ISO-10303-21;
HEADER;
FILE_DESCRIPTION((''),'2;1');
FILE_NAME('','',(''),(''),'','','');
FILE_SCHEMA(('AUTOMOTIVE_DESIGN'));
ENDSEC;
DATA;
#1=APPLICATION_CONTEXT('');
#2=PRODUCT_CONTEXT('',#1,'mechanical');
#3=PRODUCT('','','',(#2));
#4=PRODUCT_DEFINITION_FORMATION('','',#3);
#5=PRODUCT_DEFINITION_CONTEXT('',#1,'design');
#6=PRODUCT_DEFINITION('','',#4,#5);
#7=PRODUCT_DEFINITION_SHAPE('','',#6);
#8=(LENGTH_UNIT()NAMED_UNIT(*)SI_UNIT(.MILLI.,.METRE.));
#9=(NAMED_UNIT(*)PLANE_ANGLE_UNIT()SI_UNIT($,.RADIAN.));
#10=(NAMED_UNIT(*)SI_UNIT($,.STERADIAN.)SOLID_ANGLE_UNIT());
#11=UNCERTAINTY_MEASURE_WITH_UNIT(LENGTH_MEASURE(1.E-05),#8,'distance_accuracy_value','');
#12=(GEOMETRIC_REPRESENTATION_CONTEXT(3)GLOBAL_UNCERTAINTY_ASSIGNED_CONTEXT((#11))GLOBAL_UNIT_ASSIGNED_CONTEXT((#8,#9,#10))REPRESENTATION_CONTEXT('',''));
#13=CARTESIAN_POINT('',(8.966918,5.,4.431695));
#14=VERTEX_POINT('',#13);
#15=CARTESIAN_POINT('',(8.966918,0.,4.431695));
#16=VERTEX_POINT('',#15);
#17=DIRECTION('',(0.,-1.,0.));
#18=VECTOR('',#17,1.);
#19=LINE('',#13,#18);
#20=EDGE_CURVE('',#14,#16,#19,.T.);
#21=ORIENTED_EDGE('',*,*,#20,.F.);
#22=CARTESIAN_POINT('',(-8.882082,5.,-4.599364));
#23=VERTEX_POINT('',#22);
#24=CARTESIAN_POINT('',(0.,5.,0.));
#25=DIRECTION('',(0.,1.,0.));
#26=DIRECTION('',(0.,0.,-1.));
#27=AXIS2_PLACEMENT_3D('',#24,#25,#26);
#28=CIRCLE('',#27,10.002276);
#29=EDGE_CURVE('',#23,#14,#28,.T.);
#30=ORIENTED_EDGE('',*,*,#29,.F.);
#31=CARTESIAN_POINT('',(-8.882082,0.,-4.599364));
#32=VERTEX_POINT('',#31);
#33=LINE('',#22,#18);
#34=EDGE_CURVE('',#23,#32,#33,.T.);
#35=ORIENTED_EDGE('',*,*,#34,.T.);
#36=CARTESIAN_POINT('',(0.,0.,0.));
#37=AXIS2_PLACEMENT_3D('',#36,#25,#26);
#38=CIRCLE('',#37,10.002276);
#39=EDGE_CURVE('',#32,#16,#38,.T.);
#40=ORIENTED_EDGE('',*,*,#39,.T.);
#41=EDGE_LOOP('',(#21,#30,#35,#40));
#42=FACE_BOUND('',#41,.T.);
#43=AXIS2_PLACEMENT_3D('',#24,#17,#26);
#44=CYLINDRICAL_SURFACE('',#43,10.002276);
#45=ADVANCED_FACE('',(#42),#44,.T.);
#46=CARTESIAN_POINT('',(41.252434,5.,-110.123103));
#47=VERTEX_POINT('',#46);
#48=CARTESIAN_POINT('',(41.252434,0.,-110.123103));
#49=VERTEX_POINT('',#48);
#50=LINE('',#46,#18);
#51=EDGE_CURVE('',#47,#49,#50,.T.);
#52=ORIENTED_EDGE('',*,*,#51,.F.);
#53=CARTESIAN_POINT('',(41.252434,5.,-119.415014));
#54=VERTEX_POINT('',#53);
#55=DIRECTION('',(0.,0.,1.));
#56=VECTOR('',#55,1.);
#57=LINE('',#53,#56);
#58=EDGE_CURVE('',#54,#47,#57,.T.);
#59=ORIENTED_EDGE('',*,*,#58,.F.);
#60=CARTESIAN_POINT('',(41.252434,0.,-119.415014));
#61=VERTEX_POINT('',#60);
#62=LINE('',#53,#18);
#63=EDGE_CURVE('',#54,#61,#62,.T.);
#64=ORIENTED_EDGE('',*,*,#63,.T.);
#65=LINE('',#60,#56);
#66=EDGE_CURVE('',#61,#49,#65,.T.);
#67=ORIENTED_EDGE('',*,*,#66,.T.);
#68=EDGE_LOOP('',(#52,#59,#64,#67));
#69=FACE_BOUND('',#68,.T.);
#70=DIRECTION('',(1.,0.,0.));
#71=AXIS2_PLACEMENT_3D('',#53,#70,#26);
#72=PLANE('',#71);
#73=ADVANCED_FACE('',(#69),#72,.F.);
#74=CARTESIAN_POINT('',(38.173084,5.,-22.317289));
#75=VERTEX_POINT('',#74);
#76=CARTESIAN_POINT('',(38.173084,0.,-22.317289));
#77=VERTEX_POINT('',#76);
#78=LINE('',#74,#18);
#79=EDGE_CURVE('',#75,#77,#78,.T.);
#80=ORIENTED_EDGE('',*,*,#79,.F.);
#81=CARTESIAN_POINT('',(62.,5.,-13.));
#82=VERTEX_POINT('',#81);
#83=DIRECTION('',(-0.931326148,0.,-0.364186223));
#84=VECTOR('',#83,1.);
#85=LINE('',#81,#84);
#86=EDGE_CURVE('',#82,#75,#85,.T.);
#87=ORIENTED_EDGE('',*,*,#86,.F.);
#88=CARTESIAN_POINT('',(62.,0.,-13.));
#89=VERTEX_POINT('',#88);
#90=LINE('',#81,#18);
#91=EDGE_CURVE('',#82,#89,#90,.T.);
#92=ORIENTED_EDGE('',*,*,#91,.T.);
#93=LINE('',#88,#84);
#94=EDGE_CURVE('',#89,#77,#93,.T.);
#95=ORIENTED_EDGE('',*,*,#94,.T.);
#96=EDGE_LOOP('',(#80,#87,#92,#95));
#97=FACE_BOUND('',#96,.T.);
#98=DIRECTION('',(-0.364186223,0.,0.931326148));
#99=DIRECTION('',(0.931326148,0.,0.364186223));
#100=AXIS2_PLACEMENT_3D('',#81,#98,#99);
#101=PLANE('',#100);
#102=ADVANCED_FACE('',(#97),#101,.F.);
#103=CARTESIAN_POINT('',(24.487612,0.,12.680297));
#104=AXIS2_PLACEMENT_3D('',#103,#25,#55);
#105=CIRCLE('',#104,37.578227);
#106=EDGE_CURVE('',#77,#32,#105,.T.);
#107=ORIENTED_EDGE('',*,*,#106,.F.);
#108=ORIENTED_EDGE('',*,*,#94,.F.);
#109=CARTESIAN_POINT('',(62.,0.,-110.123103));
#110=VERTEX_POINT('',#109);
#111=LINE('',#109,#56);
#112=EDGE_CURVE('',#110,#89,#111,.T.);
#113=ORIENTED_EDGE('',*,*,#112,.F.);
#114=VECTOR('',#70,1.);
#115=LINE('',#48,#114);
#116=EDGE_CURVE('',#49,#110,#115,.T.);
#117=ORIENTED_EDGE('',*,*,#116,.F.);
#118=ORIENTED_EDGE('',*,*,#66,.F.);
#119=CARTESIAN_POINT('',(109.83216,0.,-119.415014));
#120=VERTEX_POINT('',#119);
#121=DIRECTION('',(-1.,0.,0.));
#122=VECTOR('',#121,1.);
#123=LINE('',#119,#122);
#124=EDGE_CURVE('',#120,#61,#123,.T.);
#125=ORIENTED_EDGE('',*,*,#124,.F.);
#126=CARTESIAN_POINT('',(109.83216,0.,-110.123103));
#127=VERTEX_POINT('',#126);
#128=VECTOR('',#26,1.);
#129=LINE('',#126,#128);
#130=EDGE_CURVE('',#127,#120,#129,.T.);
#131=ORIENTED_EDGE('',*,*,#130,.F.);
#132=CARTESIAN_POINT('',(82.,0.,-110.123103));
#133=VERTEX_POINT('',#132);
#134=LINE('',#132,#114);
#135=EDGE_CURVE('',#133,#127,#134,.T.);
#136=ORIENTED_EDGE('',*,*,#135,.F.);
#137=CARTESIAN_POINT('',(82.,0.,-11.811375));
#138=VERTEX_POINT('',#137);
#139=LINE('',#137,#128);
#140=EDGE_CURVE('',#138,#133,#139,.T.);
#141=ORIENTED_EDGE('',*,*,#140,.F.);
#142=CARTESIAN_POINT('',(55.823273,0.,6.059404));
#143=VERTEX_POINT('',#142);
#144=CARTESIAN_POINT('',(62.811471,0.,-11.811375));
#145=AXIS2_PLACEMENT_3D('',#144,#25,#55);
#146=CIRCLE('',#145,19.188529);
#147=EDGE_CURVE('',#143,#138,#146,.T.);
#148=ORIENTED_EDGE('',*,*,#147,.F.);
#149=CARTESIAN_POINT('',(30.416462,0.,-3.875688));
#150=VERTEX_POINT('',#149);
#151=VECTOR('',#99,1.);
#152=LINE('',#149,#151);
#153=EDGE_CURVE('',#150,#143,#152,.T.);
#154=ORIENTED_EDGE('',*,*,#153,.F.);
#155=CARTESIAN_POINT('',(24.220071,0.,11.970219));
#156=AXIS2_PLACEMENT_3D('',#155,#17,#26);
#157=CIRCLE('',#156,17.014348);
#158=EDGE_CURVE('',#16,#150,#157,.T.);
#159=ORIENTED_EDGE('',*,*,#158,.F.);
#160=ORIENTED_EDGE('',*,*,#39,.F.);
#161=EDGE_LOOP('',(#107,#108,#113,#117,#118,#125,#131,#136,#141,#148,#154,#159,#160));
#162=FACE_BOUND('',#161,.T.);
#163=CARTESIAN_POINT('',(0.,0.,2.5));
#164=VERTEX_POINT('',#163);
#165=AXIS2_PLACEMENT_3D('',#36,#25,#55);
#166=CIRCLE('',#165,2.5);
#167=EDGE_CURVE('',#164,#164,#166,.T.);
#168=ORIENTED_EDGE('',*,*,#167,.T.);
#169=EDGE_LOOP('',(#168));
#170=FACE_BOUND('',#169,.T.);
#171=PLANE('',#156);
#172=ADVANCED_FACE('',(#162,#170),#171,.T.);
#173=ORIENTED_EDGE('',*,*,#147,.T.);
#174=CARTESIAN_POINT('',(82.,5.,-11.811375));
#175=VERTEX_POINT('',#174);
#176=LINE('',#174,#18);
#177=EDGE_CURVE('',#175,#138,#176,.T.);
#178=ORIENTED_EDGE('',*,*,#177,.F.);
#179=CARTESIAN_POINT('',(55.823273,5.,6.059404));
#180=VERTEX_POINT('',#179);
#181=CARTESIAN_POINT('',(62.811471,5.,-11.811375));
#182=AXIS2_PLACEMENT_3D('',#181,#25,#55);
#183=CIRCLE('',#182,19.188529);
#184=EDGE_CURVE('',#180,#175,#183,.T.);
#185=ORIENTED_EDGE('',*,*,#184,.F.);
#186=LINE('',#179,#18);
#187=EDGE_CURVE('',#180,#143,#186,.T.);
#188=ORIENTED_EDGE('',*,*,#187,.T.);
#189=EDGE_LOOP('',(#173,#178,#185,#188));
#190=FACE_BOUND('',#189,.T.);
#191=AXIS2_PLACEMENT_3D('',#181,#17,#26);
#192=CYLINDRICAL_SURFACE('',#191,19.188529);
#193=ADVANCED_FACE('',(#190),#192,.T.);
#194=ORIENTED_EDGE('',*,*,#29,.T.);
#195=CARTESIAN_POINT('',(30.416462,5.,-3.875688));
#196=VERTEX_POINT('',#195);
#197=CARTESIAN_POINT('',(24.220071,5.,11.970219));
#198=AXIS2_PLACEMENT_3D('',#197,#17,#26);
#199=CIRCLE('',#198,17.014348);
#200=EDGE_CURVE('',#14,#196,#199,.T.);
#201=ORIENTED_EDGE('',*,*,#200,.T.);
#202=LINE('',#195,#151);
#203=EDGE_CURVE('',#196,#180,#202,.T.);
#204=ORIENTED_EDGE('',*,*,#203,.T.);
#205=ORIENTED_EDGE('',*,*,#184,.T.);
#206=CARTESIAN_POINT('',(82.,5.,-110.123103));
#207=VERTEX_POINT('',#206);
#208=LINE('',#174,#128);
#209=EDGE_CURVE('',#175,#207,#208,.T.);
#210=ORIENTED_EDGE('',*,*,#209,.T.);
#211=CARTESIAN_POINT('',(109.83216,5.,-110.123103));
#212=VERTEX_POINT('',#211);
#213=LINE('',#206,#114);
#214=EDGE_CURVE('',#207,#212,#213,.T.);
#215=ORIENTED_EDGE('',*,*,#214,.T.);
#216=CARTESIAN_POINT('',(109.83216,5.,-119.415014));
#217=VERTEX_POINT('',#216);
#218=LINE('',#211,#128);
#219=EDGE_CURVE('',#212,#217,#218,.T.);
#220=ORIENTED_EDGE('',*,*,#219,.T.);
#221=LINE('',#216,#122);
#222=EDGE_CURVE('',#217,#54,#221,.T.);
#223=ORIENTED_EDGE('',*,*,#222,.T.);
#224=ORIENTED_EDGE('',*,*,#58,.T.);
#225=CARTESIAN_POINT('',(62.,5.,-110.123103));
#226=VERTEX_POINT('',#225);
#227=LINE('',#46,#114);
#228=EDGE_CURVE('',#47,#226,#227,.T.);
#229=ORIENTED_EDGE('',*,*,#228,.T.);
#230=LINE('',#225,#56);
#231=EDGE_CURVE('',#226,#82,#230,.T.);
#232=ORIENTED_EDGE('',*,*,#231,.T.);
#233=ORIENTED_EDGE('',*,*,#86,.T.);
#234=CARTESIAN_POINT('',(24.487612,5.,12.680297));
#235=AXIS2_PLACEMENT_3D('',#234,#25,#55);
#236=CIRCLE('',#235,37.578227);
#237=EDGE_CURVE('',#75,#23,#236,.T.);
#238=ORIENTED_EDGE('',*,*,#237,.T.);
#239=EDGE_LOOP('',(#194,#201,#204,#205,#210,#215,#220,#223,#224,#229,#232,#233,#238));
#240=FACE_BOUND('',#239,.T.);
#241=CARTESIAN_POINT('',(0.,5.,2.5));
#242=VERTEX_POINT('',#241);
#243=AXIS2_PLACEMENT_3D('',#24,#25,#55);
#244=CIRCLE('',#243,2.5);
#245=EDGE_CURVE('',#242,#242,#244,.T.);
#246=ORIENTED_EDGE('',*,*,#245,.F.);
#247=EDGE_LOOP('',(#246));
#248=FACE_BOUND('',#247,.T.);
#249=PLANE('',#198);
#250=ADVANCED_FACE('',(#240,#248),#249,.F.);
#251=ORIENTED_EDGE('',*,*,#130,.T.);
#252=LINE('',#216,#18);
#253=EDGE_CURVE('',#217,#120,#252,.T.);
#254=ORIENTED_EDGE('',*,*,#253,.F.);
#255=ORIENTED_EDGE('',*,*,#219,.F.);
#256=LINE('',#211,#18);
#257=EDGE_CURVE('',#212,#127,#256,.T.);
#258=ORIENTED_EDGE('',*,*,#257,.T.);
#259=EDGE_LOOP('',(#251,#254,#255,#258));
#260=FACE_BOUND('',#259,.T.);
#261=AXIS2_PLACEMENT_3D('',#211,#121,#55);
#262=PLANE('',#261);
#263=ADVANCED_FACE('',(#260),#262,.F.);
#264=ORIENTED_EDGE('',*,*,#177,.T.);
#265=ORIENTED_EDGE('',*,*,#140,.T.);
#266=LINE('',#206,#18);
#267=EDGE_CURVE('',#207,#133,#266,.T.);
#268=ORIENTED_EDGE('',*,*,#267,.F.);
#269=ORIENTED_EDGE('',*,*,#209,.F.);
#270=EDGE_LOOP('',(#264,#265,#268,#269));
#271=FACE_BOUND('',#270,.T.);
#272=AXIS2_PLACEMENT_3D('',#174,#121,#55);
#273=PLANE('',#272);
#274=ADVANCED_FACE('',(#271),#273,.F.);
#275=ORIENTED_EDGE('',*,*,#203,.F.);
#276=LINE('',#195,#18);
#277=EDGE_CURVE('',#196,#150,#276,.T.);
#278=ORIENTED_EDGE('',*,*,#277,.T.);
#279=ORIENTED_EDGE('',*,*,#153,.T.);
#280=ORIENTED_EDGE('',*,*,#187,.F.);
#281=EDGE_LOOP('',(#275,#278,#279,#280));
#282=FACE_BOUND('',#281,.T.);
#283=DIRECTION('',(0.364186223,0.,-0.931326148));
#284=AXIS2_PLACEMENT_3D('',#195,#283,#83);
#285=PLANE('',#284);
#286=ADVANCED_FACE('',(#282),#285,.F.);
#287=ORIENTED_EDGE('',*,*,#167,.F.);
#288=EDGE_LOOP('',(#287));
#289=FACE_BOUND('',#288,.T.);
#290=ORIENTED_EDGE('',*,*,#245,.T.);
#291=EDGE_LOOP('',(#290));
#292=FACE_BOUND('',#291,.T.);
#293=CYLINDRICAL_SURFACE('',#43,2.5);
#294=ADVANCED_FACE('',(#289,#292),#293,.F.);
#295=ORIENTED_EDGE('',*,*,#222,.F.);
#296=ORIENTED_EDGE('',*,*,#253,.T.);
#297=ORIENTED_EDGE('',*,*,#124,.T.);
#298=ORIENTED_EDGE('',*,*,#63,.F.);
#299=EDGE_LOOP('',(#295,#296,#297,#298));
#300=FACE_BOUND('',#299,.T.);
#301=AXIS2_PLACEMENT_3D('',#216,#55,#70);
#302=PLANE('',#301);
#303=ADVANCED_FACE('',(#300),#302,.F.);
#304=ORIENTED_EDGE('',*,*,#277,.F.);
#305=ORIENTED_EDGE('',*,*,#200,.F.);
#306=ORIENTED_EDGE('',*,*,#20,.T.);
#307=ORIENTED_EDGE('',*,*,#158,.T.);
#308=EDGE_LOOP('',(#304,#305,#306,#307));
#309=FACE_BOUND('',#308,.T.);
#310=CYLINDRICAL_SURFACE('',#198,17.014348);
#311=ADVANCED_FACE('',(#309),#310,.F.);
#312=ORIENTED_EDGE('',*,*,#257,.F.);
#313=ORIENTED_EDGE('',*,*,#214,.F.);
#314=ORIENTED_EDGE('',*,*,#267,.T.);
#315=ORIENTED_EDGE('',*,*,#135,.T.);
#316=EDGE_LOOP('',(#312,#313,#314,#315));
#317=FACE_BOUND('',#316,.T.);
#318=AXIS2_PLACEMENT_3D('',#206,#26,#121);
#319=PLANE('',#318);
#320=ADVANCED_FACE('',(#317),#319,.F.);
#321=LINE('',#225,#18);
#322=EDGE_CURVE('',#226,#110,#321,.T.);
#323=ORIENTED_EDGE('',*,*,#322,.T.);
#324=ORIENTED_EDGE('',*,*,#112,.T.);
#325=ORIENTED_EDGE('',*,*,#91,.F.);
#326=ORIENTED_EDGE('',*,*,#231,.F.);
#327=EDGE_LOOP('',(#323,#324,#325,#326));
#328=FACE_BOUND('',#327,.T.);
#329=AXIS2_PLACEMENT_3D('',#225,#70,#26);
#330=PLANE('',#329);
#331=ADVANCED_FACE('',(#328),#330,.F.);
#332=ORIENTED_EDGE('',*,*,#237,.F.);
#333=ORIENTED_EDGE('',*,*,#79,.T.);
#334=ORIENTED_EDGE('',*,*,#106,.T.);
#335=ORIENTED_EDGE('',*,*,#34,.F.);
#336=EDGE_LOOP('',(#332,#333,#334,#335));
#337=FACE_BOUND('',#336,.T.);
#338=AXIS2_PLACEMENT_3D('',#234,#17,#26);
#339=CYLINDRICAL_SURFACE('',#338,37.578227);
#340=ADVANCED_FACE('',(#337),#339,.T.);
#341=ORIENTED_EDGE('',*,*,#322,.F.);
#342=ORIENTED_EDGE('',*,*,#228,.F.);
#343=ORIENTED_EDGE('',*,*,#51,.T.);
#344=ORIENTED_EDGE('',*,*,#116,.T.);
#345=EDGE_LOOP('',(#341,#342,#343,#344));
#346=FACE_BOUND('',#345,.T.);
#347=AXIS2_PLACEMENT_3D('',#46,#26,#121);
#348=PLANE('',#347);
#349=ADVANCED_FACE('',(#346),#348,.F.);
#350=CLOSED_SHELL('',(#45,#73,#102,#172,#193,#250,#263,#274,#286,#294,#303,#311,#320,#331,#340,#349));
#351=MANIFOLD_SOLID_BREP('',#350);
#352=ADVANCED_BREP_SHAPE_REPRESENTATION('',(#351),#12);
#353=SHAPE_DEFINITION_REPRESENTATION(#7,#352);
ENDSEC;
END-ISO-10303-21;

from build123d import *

# Parameters (mm, degrees)
ESQUISSE1_R        = 2.5
BOSS_EXTRU_1_DEPTH = 5


with BuildPart() as part:
    # Esquisse1 → Boss.-Extru.1 (new body)
    with BuildSketch(Plane(origin=(0, 0, 0), x_dir=(1, 0, 0), z_dir=(0, 1, 0))):
        with BuildLine():
            Line((30.416462038, 3.875687745), (55.823272708, -6.059403674))
            ThreePointArc((55.823272708, -6.059403674), (73.630583756, -4.03622534), (82, 11.811375395))
            Line((82, 11.811375395), (82, 110.123102525))
            Line((82, 110.123102525), (109.832159843, 110.123102525))
            Line((109.832159843, 110.123102525), (109.832159843, 119.415014129))
            Line((109.832159843, 119.415014129), (41.252434476, 119.415014129))
            Line((41.252434476, 119.415014129), (41.252434476, 110.123102525))
            Line((41.252434476, 110.123102525), (62, 110.123102525))
            Line((62, 110.123102525), (62, 13))
            Line((62, 13), (38.173084143, 22.317288594))
            ThreePointArc((38.173084143, 22.317288594), (11.245695012, 22.487512145), (-8.882082163, 4.599363906))
            ThreePointArc((-8.882082163, 4.599363906), (-4.515728742, -8.924893603), (8.966917542, -4.431695127))
            ThreePointArc((8.966917542, -4.431695127), (18.075204101, 3.89573938), (30.416462038, 3.875687745))
        make_face()
        Circle(ESQUISSE1_R, mode=Mode.SUBTRACT)
    extrude(amount=BOSS_EXTRU_1_DEPTH)


solid = part.part
